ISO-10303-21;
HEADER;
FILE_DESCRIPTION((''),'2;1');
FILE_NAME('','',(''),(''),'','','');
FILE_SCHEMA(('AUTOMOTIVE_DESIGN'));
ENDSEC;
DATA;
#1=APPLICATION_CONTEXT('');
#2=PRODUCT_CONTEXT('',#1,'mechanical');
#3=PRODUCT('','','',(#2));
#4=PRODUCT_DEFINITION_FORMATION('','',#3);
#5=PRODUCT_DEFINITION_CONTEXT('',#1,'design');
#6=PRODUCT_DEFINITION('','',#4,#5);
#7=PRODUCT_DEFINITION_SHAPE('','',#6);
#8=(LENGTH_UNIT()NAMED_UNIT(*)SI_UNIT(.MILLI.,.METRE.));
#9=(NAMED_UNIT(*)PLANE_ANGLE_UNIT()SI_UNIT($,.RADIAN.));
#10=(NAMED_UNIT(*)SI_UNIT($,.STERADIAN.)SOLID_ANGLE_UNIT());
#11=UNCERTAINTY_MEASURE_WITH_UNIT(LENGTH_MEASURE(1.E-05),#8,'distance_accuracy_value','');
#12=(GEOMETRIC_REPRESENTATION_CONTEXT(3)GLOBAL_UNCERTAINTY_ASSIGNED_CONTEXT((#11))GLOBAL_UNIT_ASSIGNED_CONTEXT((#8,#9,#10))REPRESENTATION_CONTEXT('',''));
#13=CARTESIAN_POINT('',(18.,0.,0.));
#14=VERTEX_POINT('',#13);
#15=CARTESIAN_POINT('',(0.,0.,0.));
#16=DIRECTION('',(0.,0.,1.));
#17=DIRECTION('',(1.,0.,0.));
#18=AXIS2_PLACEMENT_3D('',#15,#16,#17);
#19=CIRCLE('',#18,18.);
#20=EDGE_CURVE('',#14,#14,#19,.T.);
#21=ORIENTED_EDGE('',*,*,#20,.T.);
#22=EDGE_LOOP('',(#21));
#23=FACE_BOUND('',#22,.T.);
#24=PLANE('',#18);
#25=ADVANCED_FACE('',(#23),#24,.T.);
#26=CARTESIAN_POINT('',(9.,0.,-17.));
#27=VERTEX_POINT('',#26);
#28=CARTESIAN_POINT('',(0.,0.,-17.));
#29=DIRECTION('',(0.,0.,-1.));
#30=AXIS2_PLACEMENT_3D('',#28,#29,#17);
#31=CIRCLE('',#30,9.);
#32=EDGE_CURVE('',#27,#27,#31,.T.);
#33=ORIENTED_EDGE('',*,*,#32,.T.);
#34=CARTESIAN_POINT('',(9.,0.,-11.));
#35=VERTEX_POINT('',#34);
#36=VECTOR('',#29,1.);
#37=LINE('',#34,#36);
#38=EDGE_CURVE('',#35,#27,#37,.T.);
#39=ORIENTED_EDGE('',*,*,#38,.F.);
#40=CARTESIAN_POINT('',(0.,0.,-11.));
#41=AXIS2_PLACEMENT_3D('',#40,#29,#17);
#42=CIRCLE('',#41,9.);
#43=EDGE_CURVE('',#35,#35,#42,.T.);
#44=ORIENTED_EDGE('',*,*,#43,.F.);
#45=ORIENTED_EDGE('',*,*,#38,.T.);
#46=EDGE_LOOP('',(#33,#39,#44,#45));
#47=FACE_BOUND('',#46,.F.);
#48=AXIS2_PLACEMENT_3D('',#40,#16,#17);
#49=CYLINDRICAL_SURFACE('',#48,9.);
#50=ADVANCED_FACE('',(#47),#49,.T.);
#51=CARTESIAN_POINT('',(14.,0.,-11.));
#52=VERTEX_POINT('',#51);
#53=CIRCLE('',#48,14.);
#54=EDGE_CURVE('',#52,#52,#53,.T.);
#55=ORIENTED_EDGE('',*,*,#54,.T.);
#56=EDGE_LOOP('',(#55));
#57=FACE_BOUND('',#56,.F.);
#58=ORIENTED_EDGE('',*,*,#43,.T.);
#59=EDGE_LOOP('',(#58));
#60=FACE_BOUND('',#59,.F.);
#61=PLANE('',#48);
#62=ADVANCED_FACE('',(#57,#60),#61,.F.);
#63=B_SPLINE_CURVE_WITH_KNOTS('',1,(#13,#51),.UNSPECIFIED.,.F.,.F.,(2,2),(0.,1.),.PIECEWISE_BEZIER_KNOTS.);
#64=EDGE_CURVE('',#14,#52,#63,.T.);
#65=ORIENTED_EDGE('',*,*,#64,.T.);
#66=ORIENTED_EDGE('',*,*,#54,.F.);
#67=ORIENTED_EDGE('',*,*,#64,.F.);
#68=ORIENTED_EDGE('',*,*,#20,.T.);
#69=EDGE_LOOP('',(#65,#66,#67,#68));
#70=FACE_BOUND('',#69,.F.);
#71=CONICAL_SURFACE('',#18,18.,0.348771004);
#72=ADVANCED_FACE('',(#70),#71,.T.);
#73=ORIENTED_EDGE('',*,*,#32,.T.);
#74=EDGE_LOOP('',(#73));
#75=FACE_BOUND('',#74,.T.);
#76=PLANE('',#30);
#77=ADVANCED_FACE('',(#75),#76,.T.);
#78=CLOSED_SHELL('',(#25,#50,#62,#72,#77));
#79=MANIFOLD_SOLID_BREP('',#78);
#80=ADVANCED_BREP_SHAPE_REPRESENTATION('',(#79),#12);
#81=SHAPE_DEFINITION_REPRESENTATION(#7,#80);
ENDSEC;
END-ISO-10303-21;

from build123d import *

# Parameters (mm, degrees)
F0_R     = 18
F2_R     = 14
F4_R     = 9
F5_DEPTH = 6


with BuildPart() as f3:
    # F0 (on Top) → F3 section 0
    with BuildSketch(Plane.XY):
        Circle(F0_R)
    # F2 (on offset) → F3 section 1
    with BuildSketch(Plane.XY.offset(-11)):
        Circle(F2_R)
    loft()

    # F4 (on face) → F5 (join)
    with BuildSketch(Plane(origin=(0, 0, -11), x_dir=(1, 0, 0), z_dir=(0, 0, -1))):
        Circle(F4_R)
    extrude(amount=F5_DEPTH)


solid = f3.part
